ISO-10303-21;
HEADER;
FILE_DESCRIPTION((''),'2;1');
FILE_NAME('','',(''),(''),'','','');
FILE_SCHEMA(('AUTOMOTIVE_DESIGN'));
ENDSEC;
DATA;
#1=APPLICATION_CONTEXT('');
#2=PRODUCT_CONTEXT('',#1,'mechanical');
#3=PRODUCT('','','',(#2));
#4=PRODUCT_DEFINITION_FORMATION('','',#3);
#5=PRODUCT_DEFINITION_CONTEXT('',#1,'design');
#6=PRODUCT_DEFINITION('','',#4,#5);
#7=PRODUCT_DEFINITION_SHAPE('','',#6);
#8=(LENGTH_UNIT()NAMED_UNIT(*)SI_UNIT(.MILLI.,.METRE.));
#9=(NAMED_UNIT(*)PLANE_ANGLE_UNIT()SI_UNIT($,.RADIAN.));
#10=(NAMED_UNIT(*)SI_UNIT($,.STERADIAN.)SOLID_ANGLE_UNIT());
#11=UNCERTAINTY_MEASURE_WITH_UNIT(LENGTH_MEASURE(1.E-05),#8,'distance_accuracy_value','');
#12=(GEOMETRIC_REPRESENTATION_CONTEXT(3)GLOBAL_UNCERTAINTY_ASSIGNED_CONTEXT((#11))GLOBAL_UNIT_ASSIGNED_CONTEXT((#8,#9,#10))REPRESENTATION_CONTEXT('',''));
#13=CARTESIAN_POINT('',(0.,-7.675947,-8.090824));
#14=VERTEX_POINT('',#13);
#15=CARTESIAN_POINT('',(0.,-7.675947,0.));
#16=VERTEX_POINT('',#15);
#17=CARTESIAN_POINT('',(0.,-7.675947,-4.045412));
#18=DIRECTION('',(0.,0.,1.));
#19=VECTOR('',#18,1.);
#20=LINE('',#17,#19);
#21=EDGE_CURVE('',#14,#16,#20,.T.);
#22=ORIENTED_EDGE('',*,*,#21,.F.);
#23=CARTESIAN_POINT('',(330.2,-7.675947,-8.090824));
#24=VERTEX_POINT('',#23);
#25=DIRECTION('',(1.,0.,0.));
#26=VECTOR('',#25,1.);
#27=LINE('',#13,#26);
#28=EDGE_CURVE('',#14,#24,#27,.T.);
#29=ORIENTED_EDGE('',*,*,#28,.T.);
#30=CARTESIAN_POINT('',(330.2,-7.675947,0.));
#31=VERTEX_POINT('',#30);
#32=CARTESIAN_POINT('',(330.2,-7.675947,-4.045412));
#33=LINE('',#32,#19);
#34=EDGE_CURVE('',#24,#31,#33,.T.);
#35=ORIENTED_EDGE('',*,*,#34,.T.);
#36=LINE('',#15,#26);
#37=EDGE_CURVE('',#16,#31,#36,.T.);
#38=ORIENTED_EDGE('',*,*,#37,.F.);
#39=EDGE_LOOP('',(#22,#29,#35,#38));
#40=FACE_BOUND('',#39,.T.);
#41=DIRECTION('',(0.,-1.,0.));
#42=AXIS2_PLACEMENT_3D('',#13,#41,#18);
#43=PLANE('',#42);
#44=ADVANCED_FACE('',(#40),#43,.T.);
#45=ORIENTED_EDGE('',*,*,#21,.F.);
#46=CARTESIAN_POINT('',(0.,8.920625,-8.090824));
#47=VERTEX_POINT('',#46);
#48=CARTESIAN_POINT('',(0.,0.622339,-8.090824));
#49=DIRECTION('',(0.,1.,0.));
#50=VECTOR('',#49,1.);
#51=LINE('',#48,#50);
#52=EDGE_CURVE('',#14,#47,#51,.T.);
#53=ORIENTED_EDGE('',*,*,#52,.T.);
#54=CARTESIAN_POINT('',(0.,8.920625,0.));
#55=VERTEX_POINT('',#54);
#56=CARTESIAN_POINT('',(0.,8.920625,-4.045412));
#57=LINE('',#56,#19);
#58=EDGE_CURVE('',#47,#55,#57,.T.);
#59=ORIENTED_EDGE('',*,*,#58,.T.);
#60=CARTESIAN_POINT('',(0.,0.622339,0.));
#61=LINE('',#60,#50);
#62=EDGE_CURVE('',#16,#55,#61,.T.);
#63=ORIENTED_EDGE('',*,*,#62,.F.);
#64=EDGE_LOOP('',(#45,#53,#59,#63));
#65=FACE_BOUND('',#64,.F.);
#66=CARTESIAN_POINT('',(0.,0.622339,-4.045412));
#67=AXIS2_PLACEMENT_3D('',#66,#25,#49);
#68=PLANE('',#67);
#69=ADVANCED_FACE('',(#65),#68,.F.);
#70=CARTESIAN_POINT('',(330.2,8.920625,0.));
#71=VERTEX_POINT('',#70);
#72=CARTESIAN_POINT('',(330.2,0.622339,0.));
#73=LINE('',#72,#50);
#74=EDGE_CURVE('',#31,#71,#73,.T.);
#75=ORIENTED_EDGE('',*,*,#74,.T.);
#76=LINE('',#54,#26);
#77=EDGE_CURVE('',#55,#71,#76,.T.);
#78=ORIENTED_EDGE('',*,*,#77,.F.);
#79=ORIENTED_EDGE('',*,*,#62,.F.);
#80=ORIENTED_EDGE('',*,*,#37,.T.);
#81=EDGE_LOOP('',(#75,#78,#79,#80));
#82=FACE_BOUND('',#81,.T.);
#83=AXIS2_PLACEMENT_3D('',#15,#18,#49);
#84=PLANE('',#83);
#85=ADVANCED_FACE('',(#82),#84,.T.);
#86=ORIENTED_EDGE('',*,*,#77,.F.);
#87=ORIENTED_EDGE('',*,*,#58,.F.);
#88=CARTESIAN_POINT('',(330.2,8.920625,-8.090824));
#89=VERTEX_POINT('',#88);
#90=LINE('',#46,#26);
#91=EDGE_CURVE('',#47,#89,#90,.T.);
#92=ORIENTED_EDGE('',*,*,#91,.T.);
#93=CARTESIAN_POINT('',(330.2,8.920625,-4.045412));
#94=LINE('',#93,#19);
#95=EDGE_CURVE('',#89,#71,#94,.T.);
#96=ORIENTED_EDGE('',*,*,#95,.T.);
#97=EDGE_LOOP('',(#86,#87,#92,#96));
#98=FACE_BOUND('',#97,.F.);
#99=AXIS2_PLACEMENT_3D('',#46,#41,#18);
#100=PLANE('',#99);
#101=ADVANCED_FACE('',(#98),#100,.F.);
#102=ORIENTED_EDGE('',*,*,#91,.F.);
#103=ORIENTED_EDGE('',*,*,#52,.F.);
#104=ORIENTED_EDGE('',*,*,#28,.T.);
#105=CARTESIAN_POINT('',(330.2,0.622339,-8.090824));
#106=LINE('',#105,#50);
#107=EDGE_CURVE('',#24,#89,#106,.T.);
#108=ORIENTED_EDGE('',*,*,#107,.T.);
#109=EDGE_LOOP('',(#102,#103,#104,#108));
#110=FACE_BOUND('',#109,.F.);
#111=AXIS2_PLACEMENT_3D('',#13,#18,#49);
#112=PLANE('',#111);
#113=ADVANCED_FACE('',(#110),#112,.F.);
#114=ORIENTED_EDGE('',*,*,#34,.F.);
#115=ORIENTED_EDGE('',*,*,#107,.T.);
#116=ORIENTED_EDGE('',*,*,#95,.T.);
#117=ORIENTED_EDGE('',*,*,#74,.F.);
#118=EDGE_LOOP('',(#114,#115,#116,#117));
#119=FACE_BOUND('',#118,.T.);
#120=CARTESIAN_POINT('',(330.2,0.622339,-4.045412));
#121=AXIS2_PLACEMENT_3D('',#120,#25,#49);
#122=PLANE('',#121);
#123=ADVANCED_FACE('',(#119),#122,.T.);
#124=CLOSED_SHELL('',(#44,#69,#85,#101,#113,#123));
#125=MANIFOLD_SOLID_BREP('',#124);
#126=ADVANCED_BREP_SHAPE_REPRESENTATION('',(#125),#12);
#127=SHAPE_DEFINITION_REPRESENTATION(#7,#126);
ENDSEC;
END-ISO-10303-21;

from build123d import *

# Parameters (mm, degrees)
F1_W     = 16.596571
F1_H     = 8.090824
F2_DEPTH = 330.2


with BuildPart() as f2:
    # F1 (on face) → F2 (new body)
    with BuildSketch(Plane.YZ):
        with Locations((0.622339, -4.045412)):
            Rectangle(F1_W, F1_H)
    extrude(amount=F2_DEPTH)


solid = f2.part
